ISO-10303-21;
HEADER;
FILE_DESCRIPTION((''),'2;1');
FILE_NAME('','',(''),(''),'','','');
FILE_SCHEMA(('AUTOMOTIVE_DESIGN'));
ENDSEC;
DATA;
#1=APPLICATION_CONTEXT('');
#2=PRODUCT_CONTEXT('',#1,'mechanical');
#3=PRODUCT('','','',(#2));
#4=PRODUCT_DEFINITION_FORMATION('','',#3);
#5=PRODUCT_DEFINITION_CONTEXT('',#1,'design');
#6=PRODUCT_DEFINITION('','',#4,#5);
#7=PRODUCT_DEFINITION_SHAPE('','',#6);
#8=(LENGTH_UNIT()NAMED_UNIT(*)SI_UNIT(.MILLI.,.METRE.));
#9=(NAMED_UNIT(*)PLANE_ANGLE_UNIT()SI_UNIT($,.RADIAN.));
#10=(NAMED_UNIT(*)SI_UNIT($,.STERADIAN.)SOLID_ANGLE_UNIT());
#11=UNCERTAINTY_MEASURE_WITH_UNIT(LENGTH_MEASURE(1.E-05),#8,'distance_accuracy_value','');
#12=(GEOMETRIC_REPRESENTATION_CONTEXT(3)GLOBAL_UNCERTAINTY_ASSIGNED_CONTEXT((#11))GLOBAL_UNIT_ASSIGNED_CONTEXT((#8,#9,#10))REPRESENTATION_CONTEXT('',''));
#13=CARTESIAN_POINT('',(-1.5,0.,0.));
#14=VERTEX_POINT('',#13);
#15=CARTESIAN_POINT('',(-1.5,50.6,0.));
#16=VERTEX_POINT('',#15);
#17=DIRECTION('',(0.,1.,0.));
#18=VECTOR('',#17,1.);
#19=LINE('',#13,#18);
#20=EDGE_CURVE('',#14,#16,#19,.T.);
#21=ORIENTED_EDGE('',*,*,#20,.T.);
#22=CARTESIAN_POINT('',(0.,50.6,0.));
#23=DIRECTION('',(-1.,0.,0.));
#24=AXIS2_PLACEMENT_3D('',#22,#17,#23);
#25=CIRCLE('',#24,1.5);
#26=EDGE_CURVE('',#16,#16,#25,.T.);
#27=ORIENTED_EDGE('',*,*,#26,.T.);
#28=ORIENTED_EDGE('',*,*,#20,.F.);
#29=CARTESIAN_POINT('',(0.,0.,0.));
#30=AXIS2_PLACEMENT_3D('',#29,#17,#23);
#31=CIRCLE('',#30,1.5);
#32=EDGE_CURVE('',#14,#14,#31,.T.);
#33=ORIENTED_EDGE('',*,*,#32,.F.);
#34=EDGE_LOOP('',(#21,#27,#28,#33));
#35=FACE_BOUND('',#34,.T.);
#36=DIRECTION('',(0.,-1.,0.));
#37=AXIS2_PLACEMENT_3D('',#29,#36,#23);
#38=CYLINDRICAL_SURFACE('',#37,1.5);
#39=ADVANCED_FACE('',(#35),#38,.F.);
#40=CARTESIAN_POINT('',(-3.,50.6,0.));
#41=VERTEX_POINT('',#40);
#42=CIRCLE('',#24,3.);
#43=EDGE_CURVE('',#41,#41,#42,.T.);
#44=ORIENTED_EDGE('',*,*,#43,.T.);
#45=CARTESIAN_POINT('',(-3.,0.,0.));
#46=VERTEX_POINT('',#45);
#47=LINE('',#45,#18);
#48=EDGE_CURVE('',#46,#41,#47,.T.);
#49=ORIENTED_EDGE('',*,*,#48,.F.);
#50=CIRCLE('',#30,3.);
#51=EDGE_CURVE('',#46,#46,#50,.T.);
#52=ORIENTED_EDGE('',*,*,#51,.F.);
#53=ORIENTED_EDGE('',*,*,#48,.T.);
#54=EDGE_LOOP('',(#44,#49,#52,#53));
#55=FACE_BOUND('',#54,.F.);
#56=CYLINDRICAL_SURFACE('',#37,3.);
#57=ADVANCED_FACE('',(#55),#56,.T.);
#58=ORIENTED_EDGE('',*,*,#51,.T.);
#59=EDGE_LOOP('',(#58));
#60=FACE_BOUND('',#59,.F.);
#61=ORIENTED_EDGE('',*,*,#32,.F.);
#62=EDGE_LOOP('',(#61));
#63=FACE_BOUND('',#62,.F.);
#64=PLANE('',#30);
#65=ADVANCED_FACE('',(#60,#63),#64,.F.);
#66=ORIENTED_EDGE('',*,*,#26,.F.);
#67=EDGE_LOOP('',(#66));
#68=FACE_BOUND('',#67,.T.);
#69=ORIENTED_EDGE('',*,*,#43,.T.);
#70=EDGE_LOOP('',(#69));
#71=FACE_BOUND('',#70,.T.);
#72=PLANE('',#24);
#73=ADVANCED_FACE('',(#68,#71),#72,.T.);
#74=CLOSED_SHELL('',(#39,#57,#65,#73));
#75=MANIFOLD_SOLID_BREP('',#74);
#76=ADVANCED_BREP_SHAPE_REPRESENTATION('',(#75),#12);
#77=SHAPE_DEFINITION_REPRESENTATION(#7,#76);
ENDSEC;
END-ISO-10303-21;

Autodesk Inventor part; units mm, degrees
ref_plane "YZ Plane" through (0, 0, 0) normal (1, 0, 0) x (0, 1, 0)
ref_plane "XZ Plane" through (0, 0, 0) normal (0, 1, 0) x (-1, 0, 0)
ref_plane "XY Plane" through (0, 0, 0) normal (0, 0, 1) x (1, 0, 0)
sketch "Sketch1" plane through (0, 0, 0) normal (0, 1, 0) x (-1, 0, 0)
  circle A0 centre (0, 0) radius 1.5
  circle A1 centre (0, 0) radius 3
  dimension "d0" = 3
  dimension "d1" = 6
extrude "Extrusion1" add sketch "Sketch1" along normal blind 50.6
properties part number "Spacer" material "Aluminum 6061"
